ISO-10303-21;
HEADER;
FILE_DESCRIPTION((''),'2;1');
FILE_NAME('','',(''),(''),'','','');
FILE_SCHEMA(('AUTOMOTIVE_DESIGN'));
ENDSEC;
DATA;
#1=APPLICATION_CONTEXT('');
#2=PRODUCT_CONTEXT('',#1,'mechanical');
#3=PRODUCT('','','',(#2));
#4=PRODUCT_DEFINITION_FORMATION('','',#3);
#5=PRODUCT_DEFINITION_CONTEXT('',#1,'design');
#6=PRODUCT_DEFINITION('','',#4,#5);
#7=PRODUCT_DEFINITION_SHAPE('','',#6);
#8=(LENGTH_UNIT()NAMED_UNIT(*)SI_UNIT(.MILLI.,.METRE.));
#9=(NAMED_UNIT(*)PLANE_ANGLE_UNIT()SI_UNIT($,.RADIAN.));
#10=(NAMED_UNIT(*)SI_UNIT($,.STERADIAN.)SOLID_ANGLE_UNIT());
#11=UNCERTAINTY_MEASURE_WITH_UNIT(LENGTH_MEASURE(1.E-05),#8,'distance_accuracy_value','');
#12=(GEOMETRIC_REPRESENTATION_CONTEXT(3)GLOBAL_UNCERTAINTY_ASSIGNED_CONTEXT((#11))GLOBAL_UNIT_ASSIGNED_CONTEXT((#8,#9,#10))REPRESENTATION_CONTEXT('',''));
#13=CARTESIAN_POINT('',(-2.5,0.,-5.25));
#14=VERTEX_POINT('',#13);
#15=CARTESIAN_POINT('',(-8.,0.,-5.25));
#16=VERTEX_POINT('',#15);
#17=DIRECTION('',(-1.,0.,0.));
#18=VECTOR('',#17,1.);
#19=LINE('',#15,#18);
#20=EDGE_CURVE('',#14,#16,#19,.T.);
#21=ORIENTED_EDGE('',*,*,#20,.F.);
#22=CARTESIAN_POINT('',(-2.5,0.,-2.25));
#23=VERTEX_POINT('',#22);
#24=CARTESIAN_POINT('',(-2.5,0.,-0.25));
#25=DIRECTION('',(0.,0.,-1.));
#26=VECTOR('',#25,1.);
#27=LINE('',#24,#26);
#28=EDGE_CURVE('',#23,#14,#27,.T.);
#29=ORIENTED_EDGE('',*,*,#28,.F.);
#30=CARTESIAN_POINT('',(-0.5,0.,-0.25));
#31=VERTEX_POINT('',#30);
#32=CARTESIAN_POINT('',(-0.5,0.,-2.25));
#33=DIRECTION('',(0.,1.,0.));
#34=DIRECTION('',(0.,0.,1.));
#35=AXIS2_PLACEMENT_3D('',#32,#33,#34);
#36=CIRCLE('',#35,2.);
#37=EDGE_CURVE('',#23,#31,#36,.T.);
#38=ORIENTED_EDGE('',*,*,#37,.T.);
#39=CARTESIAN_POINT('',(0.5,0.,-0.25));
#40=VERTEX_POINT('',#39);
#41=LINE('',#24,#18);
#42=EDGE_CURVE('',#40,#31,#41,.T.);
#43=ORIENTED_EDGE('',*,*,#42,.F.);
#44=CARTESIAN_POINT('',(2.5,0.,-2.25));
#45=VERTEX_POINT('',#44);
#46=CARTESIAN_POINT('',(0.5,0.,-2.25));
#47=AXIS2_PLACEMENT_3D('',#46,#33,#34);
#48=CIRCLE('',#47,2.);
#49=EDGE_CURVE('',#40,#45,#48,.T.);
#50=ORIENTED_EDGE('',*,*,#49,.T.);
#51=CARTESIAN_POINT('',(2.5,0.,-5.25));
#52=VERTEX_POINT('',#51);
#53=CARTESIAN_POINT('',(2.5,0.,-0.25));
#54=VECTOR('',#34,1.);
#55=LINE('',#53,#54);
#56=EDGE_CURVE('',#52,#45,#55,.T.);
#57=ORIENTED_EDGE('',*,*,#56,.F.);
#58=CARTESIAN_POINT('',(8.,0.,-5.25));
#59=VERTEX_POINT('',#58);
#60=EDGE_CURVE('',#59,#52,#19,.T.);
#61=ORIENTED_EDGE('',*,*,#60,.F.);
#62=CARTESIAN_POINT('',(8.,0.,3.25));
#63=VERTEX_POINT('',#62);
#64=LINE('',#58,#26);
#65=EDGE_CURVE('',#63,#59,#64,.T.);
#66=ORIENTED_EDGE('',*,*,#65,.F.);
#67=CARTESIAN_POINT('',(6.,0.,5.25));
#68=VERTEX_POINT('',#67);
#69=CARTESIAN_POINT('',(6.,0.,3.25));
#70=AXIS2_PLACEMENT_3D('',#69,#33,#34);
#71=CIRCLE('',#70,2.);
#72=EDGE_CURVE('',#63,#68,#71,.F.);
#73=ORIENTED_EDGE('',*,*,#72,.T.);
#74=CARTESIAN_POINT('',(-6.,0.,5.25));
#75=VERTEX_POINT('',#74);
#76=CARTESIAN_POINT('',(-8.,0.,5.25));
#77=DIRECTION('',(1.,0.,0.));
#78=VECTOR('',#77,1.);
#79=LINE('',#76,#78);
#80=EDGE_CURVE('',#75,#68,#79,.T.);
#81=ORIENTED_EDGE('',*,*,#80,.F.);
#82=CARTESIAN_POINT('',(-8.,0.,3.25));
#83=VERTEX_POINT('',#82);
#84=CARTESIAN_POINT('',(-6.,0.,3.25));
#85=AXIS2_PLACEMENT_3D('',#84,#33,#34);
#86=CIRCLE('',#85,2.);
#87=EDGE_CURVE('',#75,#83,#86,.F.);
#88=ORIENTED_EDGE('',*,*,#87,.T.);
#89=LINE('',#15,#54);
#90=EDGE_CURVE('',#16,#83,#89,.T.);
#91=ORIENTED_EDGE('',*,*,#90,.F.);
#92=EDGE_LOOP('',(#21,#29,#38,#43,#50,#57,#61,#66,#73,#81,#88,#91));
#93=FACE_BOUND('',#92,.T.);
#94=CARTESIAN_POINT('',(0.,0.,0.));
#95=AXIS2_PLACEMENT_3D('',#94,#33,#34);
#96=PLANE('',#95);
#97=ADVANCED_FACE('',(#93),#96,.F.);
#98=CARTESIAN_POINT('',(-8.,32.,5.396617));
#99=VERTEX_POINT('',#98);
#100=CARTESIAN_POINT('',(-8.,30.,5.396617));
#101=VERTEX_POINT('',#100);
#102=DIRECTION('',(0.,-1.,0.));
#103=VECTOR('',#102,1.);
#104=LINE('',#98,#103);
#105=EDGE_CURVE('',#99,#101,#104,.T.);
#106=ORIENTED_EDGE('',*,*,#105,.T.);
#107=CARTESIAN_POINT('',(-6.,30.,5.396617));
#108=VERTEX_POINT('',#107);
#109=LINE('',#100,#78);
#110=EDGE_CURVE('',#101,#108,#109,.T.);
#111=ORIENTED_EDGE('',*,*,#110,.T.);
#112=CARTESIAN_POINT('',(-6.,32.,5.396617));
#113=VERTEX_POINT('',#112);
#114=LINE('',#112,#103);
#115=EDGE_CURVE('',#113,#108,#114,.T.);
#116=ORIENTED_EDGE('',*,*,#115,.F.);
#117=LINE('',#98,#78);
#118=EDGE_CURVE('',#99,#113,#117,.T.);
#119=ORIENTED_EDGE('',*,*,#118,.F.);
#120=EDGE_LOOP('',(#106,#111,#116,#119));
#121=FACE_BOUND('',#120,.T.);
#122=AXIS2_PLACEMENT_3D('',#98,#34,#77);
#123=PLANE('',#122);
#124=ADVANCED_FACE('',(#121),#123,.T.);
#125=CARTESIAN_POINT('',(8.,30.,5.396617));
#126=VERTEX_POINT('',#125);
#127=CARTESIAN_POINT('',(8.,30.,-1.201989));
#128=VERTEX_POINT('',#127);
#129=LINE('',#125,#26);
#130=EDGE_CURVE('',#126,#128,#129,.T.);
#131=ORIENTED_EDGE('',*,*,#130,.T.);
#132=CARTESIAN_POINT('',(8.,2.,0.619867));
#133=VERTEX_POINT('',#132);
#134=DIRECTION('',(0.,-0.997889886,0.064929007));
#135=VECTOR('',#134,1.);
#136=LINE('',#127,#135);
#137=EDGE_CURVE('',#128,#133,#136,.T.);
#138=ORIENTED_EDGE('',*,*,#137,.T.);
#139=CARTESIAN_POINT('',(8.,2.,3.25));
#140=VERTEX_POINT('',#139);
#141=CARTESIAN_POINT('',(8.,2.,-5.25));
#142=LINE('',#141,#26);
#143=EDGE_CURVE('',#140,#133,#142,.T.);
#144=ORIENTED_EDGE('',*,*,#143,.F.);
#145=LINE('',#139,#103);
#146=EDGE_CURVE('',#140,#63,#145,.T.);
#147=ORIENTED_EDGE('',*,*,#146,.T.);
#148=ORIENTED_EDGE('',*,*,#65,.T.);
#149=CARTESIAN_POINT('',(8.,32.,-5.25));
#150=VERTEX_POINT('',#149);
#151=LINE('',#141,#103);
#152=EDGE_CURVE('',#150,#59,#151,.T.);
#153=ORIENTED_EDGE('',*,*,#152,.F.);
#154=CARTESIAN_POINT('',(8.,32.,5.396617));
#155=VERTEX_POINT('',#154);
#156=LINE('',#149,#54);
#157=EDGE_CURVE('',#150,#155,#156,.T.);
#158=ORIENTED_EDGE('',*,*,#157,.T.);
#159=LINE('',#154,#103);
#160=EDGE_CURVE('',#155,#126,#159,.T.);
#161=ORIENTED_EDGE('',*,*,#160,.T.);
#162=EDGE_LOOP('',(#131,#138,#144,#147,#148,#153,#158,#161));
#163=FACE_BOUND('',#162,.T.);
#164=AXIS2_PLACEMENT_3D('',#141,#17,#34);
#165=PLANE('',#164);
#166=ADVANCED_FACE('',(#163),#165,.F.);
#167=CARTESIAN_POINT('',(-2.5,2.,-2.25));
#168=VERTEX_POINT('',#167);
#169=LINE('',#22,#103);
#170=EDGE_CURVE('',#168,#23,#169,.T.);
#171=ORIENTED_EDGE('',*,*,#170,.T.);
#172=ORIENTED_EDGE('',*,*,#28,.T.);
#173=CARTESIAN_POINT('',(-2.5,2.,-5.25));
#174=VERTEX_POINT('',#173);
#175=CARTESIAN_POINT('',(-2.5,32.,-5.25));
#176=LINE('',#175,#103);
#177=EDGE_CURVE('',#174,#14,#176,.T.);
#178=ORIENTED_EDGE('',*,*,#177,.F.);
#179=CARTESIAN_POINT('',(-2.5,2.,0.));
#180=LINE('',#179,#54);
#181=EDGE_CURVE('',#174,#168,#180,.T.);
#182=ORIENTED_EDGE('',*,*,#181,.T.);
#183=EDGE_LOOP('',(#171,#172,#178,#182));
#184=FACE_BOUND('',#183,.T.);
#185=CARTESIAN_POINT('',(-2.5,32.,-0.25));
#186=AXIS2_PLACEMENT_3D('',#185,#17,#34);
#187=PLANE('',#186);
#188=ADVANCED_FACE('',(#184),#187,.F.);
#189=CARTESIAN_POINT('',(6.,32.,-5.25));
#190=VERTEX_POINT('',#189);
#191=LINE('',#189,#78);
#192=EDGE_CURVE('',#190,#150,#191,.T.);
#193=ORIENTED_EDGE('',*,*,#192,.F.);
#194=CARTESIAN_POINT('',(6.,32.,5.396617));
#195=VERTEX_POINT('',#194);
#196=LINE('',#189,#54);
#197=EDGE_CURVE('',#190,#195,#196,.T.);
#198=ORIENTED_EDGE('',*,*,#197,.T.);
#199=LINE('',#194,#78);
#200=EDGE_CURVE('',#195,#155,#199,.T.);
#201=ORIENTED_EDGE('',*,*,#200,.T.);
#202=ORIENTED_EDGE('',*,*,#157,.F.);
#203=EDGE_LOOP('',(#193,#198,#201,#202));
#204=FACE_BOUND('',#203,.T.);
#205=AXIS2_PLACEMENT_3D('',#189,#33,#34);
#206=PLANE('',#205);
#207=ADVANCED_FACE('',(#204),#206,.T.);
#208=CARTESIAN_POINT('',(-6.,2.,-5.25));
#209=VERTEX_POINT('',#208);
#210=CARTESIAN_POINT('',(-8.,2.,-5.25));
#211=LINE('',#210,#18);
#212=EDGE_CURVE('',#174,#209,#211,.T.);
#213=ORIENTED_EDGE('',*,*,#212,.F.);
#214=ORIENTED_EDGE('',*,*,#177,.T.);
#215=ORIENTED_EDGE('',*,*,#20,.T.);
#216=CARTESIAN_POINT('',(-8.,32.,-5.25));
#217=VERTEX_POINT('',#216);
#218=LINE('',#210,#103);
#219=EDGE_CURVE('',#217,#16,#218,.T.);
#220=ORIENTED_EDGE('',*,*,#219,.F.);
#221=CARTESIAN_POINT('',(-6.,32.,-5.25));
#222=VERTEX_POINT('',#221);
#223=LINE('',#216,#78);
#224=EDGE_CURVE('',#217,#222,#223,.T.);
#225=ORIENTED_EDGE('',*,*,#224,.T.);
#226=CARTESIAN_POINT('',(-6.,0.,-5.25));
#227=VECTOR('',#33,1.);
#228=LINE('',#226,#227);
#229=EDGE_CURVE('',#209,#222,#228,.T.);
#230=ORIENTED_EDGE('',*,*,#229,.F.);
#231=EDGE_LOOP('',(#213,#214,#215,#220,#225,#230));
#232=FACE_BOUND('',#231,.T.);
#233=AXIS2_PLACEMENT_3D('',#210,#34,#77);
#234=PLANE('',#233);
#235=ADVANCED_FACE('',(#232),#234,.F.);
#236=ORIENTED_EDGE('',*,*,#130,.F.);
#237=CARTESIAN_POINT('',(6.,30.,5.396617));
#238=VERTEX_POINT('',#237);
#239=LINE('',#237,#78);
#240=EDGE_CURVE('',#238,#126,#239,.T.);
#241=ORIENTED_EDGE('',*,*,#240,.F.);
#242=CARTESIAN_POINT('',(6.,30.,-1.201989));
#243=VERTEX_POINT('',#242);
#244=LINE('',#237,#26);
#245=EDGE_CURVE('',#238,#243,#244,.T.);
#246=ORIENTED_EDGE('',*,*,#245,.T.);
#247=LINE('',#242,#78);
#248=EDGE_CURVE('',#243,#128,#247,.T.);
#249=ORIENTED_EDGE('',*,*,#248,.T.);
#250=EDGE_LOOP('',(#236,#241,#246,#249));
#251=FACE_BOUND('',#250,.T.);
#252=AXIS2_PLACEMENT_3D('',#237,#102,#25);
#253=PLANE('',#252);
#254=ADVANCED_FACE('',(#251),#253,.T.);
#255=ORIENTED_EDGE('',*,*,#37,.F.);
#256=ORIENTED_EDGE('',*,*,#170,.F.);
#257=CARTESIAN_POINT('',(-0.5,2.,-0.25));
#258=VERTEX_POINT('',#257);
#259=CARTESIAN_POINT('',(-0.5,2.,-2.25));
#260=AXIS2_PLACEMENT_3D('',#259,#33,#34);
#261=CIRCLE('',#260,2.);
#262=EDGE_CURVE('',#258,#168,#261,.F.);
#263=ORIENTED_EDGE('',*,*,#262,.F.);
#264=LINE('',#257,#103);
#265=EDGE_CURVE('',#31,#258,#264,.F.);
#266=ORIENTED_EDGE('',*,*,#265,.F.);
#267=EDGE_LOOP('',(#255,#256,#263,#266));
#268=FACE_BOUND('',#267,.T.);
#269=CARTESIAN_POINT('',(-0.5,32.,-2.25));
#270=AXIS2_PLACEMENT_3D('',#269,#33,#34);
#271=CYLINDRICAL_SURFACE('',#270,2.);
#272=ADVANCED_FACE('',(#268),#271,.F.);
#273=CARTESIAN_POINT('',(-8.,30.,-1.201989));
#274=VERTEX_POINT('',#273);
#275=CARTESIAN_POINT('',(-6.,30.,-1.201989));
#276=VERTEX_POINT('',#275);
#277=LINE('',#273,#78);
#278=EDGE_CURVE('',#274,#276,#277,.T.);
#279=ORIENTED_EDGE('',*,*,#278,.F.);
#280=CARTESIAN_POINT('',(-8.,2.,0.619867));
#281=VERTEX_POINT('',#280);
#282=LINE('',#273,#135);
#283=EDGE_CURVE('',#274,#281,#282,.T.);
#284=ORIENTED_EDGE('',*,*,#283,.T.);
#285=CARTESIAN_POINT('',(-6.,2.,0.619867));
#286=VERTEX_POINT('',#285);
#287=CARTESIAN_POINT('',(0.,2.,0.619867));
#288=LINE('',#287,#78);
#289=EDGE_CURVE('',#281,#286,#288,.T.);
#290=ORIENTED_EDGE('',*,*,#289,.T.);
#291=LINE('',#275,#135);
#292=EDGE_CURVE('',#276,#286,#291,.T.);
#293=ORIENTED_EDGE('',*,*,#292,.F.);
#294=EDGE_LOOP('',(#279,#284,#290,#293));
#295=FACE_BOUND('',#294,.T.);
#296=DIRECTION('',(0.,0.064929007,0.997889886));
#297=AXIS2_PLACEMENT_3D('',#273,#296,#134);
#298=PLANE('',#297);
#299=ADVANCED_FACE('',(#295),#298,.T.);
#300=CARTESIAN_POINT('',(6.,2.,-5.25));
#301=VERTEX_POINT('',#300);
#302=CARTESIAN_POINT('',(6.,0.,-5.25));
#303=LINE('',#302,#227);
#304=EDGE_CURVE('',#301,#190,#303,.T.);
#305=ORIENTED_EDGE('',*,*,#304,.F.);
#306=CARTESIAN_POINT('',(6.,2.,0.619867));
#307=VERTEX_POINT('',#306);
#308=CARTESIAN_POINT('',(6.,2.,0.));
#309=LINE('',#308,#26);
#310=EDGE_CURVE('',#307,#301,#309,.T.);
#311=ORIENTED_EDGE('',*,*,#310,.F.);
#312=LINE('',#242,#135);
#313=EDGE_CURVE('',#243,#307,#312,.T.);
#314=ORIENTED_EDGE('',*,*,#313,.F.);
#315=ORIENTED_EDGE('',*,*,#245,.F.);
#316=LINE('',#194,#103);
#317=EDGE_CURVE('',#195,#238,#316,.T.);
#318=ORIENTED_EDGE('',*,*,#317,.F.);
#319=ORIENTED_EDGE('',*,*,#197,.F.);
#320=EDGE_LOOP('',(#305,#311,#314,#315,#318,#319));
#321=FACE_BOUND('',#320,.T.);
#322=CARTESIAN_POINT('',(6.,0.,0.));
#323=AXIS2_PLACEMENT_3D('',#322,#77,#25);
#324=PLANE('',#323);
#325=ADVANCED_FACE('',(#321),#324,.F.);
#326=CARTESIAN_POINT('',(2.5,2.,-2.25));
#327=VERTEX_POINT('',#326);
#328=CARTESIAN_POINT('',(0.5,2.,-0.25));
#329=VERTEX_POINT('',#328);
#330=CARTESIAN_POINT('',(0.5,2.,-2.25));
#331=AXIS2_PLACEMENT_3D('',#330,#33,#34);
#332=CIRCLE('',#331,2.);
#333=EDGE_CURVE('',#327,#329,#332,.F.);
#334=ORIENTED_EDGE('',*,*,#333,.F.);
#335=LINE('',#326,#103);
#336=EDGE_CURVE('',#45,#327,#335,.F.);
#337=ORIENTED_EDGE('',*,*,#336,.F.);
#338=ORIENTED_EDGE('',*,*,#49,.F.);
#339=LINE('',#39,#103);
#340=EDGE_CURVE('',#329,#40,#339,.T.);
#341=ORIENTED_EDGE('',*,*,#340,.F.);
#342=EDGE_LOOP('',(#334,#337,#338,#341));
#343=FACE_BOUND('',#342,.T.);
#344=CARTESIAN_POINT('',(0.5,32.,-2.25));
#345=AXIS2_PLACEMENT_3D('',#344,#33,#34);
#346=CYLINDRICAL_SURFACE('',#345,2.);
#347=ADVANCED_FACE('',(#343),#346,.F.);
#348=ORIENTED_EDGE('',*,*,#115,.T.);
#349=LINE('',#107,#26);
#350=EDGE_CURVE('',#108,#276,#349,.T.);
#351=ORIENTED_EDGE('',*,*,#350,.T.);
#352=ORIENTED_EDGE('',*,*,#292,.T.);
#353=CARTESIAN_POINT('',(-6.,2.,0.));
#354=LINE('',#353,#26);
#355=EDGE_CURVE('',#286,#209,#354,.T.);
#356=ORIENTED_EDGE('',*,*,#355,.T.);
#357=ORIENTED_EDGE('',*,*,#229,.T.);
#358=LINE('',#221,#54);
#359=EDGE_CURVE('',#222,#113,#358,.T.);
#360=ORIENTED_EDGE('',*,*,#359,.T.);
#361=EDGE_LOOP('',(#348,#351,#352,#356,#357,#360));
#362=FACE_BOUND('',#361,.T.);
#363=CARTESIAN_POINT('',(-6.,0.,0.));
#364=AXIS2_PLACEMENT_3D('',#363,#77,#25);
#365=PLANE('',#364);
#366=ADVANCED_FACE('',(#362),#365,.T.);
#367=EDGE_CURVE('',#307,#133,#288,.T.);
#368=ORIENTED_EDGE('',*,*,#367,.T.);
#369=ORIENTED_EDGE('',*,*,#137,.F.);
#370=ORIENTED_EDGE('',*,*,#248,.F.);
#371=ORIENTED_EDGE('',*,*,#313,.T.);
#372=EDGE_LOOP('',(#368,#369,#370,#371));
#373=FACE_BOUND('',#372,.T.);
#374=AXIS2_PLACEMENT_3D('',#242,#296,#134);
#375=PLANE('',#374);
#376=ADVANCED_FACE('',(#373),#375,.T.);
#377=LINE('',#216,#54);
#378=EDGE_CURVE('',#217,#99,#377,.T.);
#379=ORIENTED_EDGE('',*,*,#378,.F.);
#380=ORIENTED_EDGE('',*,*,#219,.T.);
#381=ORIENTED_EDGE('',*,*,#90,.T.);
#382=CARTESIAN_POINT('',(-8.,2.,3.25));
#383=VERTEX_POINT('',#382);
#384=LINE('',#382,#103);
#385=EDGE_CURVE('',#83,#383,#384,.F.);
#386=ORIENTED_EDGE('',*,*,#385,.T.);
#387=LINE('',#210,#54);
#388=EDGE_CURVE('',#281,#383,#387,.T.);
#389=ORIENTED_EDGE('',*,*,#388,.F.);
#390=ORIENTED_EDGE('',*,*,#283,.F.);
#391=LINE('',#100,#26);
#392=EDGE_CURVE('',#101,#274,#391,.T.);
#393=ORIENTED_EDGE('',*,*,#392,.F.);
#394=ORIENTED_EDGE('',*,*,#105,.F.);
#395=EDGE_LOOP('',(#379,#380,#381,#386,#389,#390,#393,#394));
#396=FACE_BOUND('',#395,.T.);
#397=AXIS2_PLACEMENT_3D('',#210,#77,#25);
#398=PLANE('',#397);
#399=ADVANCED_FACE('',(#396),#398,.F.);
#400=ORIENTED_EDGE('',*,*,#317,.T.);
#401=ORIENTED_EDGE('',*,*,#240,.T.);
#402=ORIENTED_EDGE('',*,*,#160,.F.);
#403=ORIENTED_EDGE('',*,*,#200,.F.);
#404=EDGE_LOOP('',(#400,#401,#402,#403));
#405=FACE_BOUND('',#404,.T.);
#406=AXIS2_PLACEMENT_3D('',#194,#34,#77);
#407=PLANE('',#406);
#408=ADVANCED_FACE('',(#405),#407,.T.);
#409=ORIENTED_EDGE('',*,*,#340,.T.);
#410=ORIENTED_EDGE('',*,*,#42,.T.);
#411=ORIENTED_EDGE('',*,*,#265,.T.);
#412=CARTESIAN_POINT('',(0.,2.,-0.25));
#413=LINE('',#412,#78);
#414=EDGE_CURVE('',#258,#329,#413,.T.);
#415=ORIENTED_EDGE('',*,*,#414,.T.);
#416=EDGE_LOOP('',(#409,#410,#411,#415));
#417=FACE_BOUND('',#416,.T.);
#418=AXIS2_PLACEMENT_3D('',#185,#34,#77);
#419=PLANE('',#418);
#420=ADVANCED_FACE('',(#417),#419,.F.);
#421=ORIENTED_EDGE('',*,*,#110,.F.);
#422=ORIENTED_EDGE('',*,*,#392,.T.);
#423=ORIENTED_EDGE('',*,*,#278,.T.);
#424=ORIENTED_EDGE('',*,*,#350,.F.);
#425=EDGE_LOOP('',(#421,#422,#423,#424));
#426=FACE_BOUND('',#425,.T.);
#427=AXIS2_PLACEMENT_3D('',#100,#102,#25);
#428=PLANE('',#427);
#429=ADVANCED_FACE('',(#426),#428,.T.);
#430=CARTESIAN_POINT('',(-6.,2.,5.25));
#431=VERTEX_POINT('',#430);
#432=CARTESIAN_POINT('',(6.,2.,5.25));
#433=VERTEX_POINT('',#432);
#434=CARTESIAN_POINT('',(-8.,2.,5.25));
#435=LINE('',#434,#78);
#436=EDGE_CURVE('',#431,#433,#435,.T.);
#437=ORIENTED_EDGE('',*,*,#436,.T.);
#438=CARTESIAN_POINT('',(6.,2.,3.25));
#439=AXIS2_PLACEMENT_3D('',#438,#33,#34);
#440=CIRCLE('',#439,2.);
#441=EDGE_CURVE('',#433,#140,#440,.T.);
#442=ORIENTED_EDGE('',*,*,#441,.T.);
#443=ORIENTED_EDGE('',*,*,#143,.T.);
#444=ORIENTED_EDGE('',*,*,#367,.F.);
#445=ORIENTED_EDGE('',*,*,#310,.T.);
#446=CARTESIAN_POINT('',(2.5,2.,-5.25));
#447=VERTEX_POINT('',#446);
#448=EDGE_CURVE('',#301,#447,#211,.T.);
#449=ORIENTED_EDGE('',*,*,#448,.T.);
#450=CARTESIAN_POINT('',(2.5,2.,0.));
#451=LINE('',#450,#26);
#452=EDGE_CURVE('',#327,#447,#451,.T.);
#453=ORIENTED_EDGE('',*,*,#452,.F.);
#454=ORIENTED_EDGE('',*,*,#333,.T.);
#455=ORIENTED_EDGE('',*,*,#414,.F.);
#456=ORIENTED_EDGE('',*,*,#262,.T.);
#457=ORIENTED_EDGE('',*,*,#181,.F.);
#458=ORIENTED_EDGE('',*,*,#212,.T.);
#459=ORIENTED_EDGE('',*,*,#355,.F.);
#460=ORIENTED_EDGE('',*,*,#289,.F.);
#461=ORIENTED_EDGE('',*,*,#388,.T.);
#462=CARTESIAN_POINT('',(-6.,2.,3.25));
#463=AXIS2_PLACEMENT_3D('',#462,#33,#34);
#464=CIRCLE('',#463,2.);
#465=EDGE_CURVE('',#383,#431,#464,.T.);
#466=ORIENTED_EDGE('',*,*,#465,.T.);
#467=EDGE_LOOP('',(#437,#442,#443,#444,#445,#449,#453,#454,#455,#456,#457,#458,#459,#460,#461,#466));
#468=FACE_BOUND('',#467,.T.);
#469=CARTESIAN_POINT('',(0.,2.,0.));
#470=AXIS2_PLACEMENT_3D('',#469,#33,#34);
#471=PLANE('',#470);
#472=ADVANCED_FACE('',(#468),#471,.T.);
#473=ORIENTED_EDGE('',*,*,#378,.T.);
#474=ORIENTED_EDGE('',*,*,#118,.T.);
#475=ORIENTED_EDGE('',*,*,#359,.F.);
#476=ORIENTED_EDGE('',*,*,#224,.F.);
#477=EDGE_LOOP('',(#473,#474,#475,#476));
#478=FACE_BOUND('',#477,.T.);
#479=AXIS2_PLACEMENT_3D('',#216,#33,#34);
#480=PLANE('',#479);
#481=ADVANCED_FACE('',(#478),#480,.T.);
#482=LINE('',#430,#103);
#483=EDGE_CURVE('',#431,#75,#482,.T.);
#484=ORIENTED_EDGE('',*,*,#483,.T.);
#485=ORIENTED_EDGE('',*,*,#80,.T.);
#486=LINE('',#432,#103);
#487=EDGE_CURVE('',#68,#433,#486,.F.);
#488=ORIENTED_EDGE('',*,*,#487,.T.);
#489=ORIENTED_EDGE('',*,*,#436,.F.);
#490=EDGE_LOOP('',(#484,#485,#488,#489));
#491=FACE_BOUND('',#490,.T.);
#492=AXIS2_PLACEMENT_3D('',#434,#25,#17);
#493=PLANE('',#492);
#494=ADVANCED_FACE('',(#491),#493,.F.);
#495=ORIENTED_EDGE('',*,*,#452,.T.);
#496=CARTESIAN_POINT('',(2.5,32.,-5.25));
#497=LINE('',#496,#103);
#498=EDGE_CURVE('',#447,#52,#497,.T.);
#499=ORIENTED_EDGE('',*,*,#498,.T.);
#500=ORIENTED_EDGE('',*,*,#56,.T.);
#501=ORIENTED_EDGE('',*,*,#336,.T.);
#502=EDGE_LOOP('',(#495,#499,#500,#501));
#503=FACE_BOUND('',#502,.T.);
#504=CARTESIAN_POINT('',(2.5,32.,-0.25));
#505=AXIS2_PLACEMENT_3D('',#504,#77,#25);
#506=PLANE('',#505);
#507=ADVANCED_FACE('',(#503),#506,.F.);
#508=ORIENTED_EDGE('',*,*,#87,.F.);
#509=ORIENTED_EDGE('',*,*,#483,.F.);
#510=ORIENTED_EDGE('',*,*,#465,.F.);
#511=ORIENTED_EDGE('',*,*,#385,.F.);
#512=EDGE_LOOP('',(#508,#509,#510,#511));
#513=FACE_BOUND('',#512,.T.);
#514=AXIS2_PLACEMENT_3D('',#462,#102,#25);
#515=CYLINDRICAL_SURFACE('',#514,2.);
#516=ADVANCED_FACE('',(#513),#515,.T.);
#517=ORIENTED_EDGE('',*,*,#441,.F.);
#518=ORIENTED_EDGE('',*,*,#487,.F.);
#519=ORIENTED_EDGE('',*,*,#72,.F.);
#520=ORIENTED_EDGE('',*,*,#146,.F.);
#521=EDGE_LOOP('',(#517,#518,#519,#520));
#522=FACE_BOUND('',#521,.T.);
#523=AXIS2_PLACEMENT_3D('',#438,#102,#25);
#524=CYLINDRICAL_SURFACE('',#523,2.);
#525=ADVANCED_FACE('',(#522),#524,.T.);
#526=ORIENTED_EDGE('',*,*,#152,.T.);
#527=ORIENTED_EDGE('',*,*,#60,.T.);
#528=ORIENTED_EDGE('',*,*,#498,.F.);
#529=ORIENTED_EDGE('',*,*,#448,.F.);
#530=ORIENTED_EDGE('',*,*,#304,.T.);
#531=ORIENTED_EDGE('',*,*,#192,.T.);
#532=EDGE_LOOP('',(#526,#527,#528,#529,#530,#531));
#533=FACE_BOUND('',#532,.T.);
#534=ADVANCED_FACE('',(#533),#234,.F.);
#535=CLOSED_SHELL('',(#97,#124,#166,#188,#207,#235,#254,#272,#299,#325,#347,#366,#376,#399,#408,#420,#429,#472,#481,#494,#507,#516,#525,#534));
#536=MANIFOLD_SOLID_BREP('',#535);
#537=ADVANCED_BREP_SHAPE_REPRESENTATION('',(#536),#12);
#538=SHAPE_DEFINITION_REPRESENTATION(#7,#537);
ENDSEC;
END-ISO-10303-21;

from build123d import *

# Parameters (mm, degrees)
SKETCH2_W          = 16
SKETCH2_H          = 10.5
BASE_DEPTH         = 2
ARM_DEPTH          = 2
LPATTERN1_COUNT    = 2
LPATTERN1_PITCH    = 14
SKETCH4_W          = 5
SKETCH4_H          = 5
CUT_EXTRUDE1_DEPTH = 34.4233972
FILLET1_R          = 2


with BuildPart() as part:
    # Sketch2 → base (new body)
    with BuildSketch(Plane(origin=(0, 0, 0), x_dir=(1, 0, 0), z_dir=(0, 1, 0))):
        Rectangle(SKETCH2_W, SKETCH2_H)
    extrude(amount=BASE_DEPTH)

    # Sketch3 → arm (add)
    with BuildSketch(Plane(origin=(8, 0, 0), x_dir=(0, 0, -1), z_dir=(1, 0, 0))):
        Polygon((5.25, 0), (5.25, 32), (-5.396617495, 32), (-5.396617495, 30), (1.201989129, 30), (-0.75, 0), align=None)
    arm = extrude(amount=-ARM_DEPTH)

    # LPattern1: arm ×2
    with Locations(*[(-i * LPATTERN1_PITCH, 0, 0) for i in range(1, LPATTERN1_COUNT)]):
        add(arm)

    # Sketch4 → Cut-Extrude1 (cut, through all)
    with BuildSketch(Plane.XZ):
        with Locations((0, -2.75)):
            Rectangle(SKETCH4_W, SKETCH4_H)
    extrude(amount=-CUT_EXTRUDE1_DEPTH, mode=Mode.SUBTRACT)

    # Fillet1
    fillet1_edges = [part.edges().sort_by_distance(p)[0] for p in [
        (2.5, 1, -0.25),
        (-2.5, 1, -0.25),
        (8, 1, 5.25),
        (-8, 1, 5.25),
    ]]
    fillet(fillet1_edges, radius=FILLET1_R)


solid = part.part
